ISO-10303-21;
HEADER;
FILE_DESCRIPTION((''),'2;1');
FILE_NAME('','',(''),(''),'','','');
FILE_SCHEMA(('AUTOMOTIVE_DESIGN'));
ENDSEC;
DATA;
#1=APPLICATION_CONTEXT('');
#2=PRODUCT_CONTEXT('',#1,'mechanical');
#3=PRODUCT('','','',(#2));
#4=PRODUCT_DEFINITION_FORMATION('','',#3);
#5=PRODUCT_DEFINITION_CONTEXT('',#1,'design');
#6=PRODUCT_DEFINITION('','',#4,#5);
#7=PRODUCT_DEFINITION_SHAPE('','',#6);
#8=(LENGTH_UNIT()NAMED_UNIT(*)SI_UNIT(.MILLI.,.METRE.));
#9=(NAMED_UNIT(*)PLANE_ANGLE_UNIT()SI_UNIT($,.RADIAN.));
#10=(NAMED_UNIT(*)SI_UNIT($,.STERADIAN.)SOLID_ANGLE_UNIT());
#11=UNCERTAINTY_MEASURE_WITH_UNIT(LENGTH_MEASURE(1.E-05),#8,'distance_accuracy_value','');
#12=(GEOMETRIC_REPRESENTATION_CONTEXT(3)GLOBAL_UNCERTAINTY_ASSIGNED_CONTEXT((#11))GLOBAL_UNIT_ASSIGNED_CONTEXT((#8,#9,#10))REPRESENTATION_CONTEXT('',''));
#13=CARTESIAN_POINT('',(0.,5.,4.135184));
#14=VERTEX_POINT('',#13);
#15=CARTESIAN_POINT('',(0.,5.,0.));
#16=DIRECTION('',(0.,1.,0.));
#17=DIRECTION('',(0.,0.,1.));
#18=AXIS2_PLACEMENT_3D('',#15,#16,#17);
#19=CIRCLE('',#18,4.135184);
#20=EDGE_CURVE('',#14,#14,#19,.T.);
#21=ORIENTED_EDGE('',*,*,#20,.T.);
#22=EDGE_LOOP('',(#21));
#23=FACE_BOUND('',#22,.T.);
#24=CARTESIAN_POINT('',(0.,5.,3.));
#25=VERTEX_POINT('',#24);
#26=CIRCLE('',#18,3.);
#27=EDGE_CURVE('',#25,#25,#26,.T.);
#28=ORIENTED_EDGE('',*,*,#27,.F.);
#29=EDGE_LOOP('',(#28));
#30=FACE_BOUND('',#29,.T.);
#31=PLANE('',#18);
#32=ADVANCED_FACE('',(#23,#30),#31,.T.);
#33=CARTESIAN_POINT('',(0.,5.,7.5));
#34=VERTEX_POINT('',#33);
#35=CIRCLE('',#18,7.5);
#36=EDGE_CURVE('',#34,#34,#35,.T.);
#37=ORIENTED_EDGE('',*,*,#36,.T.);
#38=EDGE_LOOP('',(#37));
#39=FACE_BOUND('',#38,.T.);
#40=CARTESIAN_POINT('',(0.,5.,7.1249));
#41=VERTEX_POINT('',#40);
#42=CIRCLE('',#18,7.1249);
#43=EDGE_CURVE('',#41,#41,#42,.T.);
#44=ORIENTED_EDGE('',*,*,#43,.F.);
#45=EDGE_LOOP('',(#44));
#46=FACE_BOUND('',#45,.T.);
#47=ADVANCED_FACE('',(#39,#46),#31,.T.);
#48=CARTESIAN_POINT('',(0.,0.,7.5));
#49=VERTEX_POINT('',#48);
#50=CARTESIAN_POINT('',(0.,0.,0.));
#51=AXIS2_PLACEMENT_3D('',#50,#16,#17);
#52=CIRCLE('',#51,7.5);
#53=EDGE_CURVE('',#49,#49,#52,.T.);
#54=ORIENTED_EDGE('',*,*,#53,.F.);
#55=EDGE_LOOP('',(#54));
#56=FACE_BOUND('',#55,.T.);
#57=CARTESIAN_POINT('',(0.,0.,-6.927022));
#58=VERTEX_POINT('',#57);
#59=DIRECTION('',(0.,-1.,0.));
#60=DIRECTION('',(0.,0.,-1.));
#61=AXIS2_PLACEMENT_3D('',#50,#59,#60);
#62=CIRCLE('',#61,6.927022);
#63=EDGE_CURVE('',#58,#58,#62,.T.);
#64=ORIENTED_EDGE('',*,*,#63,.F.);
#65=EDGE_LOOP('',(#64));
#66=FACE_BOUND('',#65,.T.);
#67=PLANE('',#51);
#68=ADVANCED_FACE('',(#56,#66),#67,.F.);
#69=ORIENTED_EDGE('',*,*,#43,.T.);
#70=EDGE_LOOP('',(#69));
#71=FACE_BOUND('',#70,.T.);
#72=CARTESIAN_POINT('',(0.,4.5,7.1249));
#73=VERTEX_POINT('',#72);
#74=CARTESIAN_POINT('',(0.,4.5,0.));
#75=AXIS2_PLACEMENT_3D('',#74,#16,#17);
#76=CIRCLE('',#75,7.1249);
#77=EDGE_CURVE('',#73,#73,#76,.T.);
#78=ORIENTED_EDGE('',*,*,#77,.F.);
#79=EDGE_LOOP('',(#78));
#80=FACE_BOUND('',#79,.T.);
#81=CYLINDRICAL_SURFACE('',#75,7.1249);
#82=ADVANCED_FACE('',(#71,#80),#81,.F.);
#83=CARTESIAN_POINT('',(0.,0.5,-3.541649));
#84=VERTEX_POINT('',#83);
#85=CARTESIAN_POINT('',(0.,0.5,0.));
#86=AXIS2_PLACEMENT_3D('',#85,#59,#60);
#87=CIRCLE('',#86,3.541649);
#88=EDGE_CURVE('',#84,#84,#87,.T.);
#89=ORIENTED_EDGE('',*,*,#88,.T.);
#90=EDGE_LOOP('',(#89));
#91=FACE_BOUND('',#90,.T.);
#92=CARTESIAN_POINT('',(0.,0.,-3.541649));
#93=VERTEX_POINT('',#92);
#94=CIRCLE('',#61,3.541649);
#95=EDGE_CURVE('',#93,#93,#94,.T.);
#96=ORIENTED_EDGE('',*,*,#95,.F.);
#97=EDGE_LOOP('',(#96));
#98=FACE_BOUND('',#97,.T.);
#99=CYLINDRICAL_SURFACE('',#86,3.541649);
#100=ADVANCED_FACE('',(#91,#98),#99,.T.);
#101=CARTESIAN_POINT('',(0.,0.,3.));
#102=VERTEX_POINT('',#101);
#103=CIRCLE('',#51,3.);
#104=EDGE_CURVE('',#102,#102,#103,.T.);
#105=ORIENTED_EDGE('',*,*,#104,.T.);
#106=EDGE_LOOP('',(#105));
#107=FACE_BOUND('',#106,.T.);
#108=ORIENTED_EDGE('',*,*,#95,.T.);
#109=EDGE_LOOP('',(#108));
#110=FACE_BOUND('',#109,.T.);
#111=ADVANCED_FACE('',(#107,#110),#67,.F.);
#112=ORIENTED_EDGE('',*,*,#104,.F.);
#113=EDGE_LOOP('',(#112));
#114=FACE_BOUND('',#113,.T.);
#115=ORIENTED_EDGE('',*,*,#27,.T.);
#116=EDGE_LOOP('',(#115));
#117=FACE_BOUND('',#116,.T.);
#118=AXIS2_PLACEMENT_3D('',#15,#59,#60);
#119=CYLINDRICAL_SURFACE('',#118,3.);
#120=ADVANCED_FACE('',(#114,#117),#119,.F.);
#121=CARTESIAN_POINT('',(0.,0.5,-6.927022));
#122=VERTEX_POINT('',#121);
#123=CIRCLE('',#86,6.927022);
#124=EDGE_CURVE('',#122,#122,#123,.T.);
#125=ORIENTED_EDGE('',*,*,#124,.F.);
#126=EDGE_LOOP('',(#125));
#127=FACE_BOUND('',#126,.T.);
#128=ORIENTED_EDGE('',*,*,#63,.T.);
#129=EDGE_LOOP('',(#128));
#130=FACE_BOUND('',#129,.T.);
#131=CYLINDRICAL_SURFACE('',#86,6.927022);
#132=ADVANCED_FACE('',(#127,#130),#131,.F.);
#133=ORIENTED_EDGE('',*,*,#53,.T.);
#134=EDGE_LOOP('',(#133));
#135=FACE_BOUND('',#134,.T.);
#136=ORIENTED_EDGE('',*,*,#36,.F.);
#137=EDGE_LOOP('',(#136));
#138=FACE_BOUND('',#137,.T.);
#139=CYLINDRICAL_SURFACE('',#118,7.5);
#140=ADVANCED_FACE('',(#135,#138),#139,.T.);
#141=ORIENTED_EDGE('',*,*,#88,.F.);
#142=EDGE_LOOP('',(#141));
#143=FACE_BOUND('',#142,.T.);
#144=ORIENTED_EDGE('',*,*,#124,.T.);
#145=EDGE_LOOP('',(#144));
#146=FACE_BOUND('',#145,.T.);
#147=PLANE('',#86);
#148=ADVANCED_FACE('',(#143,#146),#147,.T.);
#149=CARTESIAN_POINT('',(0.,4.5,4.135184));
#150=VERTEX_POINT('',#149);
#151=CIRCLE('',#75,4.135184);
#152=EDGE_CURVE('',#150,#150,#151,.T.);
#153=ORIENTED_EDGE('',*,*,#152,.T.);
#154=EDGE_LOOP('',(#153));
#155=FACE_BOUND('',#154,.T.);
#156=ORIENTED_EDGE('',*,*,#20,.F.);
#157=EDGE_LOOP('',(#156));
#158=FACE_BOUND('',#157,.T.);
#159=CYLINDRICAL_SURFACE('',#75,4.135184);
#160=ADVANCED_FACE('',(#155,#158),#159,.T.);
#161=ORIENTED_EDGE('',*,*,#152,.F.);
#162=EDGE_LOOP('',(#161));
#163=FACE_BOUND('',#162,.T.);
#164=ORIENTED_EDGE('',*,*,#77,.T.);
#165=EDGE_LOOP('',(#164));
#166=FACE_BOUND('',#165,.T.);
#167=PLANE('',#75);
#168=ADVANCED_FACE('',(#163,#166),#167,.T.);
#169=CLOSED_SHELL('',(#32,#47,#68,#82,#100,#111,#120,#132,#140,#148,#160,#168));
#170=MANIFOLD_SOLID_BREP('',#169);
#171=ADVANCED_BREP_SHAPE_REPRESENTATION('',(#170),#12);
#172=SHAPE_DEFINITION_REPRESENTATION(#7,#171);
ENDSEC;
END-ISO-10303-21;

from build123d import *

# Parameters (mm, degrees)
CROQUIS1_R              = 7.5
CROQUIS1_R_2            = 3
SALIENTE_EXTRUIR1_DEPTH = 5
CROQUIS2_R              = 7.124900464
CROQUIS2_R_2            = 4.13518393
CORTAR_EXTRUIR1_DEPTH   = 0.5
CROQUIS3_R              = 6.927022016
CROQUIS3_R_2            = 3.541649153
CORTAR_EXTRUIR2_DEPTH   = 0.5


with BuildPart() as part:
    # Croquis1 → Saliente-Extruir1 (new body)
    with BuildSketch(Plane(origin=(0, 0, 0), x_dir=(1, 0, 0), z_dir=(0, 1, 0))):
        with Locations(Location((0, 0, 0), (0, 0, 270))):
            Circle(CROQUIS1_R)
        with Locations(Location((0, 0, 0), (0, 0, 270))):
            Circle(CROQUIS1_R_2, mode=Mode.SUBTRACT)
    extrude(amount=SALIENTE_EXTRUIR1_DEPTH)

    # Croquis2 → Cortar-Extruir1 (cut)
    with BuildSketch(Plane(origin=(0, 5, 0), x_dir=(1, 0, 0), z_dir=(0, 1, 0))):
        with Locations(Location((0, 0, 0), (0, 0, 270))):
            Circle(CROQUIS2_R)
        with Locations(Location((0, 0, 0), (0, 0, 270))):
            Circle(CROQUIS2_R_2, mode=Mode.SUBTRACT)
    extrude(amount=-CORTAR_EXTRUIR1_DEPTH, mode=Mode.SUBTRACT)

    # Croquis3 → Cortar-Extruir2 (cut)
    with BuildSketch(Plane.XZ):
        with Locations(Location((0, 0, 0), (0, 0, 270))):
            Circle(CROQUIS3_R)
        with Locations(Location((0, 0, 0), (0, 0, 270))):
            Circle(CROQUIS3_R_2, mode=Mode.SUBTRACT)
    extrude(amount=-CORTAR_EXTRUIR2_DEPTH, mode=Mode.SUBTRACT)


solid = part.part
